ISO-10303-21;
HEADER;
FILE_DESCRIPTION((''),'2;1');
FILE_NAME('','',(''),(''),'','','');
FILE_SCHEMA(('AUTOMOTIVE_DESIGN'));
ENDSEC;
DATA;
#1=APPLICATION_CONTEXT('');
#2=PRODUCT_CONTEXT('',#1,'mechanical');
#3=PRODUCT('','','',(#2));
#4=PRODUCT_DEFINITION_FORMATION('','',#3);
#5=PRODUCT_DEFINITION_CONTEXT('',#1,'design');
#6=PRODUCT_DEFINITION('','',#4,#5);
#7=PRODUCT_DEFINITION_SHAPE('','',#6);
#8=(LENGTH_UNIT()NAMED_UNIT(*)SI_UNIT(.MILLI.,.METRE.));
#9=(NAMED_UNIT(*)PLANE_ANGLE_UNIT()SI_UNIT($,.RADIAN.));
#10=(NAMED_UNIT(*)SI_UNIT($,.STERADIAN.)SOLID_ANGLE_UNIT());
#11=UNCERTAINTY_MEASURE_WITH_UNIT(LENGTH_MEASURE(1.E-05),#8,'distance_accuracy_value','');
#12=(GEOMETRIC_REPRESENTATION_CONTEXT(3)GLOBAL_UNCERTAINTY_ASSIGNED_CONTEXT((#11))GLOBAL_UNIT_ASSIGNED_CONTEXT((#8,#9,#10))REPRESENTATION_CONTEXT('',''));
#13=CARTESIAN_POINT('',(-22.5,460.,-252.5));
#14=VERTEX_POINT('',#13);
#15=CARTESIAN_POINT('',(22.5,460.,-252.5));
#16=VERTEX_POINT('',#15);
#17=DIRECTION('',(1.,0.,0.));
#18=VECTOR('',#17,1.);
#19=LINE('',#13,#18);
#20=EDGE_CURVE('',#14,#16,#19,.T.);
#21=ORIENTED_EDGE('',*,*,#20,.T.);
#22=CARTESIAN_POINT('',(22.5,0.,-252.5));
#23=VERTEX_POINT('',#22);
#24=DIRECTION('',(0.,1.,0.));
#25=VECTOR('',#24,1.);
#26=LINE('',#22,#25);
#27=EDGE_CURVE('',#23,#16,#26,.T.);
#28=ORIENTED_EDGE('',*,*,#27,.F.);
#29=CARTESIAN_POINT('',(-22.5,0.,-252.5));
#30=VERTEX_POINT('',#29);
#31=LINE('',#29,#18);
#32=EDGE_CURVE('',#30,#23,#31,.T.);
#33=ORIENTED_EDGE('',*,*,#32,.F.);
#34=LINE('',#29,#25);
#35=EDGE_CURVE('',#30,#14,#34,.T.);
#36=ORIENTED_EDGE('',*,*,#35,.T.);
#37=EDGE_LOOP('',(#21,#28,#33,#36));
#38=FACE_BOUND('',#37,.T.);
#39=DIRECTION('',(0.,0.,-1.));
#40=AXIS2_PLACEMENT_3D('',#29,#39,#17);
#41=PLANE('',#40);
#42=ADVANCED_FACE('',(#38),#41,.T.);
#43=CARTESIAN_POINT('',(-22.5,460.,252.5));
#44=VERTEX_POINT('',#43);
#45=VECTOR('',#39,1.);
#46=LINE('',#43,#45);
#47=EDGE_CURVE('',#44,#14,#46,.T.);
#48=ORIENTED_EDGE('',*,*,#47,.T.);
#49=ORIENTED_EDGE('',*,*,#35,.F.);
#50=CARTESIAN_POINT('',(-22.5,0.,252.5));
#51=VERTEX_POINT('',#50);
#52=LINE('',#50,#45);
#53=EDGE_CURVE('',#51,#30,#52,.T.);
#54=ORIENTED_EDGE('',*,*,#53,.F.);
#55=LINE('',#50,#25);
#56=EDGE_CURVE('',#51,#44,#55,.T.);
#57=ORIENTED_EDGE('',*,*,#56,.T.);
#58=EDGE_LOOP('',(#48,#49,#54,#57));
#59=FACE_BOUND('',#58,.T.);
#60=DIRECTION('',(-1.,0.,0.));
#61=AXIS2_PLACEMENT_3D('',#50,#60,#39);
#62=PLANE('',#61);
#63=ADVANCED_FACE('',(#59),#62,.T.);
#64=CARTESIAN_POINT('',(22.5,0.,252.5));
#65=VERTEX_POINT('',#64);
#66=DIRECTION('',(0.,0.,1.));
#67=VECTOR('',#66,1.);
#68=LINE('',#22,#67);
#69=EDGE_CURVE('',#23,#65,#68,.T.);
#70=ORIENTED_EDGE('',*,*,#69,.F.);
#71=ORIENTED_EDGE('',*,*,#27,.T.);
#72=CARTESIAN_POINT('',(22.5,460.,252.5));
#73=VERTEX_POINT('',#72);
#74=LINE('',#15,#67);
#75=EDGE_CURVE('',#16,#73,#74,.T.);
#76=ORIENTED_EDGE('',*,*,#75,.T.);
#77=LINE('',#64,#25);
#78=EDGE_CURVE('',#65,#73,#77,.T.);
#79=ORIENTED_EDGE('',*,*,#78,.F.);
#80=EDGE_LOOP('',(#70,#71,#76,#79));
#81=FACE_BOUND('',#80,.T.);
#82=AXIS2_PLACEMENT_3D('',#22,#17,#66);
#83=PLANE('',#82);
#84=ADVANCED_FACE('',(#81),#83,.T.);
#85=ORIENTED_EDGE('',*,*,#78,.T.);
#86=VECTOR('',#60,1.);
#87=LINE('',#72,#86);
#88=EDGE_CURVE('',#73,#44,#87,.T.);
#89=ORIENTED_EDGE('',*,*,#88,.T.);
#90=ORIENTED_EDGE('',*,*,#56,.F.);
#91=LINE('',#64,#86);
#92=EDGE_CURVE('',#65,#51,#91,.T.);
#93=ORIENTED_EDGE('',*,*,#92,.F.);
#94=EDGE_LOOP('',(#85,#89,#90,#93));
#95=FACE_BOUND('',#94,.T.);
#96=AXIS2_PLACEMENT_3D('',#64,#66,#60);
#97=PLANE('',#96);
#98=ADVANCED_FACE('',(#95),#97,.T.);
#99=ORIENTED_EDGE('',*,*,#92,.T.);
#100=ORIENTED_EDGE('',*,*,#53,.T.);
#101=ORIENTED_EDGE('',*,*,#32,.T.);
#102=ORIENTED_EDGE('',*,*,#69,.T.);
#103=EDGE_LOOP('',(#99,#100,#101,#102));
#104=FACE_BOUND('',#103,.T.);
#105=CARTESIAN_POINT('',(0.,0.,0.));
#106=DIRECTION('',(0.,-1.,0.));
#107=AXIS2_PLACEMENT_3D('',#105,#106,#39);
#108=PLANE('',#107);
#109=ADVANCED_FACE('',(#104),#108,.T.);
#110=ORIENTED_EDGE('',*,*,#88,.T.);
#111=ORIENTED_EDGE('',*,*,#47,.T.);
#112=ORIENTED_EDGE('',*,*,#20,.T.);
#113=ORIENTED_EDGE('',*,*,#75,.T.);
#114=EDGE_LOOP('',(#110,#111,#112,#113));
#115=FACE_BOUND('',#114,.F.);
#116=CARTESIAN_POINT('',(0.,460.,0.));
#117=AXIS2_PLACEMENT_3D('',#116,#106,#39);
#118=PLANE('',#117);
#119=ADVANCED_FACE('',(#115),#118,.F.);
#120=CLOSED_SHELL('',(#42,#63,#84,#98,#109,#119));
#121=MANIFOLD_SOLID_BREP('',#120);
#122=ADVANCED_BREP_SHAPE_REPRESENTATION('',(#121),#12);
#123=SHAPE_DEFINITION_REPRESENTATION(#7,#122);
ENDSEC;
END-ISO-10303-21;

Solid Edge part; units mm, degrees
sketch "Sketch1" plane through (0, 0, 0) normal (0, -1, 0) x (1, 0, 0)
  line L0 (-22.5, -252.5) -> (22.5, -252.5)
  line L1 (22.5, -252.5) -> (22.5, 252.5)
  line L2 (22.5, 252.5) -> (-22.5, 252.5)
  line L3 (-22.5, 252.5) -> (-22.5, -252.5)
extrude "Protrusion1" add sketch "Sketch1" against normal blind 460
